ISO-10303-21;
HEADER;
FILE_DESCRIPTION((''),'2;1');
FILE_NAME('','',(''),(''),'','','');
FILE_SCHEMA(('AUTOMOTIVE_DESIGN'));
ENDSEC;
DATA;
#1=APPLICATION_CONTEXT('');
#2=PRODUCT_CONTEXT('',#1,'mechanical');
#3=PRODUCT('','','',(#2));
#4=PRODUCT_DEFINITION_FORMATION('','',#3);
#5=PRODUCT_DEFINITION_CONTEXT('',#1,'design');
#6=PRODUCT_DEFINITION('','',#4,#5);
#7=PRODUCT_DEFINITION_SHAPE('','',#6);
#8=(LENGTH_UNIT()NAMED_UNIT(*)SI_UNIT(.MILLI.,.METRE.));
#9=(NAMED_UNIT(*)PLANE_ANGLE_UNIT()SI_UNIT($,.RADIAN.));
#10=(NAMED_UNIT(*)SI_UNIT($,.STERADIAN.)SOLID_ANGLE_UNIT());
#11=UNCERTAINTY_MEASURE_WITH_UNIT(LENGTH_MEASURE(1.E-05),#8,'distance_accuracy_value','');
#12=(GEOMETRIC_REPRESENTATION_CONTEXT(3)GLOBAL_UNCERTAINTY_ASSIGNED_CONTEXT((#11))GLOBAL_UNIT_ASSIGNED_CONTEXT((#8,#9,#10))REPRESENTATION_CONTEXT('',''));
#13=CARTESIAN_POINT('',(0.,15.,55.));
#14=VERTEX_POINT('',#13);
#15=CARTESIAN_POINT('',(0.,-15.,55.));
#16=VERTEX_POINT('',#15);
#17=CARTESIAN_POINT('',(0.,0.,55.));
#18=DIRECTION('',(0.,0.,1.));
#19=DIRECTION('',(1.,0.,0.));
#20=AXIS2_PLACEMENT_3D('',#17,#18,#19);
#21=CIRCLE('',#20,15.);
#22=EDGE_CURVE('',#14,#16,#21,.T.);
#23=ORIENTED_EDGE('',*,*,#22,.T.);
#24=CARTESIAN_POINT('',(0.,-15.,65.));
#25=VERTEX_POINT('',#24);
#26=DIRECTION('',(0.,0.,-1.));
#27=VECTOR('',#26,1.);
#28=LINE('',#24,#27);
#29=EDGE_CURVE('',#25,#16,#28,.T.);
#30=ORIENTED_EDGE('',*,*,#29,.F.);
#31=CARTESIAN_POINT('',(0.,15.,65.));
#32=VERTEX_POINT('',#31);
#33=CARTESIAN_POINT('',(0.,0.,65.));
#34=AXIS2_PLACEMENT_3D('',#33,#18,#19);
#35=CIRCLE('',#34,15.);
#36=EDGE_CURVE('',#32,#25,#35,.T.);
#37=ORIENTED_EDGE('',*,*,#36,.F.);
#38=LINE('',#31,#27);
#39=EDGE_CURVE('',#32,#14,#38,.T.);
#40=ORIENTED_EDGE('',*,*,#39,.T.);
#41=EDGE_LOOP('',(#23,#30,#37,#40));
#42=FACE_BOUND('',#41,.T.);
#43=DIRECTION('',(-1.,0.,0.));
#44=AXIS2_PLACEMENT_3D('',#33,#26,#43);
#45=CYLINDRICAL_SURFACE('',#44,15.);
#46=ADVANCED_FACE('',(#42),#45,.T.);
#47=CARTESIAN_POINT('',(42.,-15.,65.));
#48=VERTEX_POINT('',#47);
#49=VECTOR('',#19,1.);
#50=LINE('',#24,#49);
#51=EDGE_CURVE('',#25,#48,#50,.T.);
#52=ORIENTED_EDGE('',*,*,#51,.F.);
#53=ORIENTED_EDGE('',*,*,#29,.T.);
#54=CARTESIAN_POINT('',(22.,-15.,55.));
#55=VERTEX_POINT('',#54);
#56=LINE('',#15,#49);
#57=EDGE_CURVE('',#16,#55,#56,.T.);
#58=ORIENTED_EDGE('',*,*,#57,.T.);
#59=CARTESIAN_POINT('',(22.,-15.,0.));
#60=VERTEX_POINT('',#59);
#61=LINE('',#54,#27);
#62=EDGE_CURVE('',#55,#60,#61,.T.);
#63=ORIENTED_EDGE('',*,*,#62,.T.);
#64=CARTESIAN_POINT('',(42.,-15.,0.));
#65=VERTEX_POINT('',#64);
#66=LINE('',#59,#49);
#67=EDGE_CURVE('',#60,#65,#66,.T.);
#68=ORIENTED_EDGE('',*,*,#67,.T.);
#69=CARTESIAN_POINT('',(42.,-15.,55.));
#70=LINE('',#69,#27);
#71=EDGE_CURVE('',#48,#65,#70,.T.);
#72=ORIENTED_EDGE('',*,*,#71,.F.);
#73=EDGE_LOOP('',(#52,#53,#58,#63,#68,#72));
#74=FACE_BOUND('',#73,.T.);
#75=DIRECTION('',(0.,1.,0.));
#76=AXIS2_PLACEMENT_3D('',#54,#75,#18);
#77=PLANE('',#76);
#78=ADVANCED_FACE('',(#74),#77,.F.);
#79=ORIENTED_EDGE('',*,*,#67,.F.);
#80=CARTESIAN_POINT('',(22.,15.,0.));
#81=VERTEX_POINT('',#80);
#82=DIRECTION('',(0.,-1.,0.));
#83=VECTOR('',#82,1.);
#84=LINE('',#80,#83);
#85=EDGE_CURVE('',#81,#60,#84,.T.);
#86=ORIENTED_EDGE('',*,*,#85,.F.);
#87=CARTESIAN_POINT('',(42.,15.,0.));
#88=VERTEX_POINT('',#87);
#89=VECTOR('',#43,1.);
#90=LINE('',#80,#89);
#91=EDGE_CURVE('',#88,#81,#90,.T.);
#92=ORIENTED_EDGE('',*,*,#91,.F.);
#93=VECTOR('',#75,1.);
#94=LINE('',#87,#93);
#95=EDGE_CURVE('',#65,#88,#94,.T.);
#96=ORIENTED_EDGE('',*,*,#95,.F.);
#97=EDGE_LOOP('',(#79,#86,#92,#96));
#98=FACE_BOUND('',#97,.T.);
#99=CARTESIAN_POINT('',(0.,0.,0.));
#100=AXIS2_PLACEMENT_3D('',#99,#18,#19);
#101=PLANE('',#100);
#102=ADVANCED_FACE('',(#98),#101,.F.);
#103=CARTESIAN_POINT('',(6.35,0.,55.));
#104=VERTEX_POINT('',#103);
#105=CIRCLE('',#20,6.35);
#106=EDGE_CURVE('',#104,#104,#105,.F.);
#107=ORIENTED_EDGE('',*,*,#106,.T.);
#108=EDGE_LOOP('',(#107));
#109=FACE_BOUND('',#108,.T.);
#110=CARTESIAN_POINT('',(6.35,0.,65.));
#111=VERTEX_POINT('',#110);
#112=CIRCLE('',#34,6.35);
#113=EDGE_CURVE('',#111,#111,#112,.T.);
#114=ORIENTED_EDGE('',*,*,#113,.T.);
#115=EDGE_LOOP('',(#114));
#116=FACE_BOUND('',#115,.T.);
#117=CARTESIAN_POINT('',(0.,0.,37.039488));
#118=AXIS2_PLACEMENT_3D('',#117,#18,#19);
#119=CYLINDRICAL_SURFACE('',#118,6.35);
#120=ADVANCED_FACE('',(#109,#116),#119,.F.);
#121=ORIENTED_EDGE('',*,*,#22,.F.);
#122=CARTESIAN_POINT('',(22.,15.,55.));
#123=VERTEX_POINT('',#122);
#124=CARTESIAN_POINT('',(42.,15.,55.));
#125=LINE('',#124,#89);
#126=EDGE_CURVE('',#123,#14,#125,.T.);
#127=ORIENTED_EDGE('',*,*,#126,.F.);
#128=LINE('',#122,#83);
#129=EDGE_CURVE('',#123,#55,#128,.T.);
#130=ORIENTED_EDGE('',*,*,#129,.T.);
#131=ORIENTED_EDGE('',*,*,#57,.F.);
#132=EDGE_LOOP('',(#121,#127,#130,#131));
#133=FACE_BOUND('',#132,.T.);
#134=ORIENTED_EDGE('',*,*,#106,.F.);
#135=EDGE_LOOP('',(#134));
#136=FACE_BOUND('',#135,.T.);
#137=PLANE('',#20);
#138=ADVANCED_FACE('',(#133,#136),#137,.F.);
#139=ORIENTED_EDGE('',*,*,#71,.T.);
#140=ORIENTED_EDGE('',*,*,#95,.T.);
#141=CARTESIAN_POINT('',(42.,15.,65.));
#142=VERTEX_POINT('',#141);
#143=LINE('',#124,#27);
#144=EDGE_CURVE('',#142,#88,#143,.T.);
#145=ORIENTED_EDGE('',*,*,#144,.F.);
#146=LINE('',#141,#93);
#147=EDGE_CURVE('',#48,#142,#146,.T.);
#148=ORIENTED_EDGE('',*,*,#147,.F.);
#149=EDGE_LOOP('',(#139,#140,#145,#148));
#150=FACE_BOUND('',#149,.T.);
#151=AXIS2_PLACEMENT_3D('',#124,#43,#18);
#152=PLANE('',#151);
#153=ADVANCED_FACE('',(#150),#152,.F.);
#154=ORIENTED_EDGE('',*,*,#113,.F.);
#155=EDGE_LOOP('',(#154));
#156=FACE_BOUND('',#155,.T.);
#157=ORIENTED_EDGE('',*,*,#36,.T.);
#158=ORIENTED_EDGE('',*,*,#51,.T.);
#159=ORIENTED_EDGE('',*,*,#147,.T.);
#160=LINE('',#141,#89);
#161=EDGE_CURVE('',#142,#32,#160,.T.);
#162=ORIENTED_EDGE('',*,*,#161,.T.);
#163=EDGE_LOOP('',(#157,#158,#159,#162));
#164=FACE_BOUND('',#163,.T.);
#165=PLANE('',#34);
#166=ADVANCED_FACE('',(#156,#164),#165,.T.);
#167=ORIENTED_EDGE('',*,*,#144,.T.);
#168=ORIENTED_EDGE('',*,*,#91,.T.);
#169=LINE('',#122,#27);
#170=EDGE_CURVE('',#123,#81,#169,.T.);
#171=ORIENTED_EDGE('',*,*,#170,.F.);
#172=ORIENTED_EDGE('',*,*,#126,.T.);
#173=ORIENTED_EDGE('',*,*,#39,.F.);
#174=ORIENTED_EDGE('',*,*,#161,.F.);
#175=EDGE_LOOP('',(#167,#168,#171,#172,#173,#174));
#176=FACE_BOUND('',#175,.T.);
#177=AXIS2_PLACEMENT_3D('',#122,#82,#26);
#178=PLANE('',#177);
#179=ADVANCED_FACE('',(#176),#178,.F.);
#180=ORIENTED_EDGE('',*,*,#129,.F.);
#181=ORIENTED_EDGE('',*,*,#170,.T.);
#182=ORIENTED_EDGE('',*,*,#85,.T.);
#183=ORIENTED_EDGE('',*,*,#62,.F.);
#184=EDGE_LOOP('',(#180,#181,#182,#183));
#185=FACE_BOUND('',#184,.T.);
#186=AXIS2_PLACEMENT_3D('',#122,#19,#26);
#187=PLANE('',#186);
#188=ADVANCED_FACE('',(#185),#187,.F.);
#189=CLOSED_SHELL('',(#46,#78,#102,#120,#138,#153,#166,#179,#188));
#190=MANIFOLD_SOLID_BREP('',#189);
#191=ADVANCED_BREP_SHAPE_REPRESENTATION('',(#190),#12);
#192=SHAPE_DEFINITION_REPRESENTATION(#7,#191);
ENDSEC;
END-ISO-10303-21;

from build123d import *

# Parameters (mm, degrees)
SKETCH1_W           = 20
SKETCH1_H           = 30
BOSS_EXTRUDE1_DEPTH = 55
BOSS_EXTRUDE2_DEPTH = 10
SKETCH3_R           = 6.35
CUT_EXTRUDE1_DEPTH  = 10


with BuildPart() as part:
    # Sketch1 → Boss-Extrude1 (new body)
    with BuildSketch(Plane.XY):
        with Locations((32, 0)):
            Rectangle(SKETCH1_W, SKETCH1_H)
    extrude(amount=BOSS_EXTRUDE1_DEPTH)

    # Sketch2 → Boss-Extrude2 (add)
    with BuildSketch(Plane.XY.offset(55)):
        with BuildLine():
            Line((42, 15), (42, -15))
            Line((42, -15), (0, -15))
            ThreePointArc((0, -15), (-15, 0), (0, 15))
            Line((0, 15), (42, 15))
        make_face()
    extrude(amount=BOSS_EXTRUDE2_DEPTH)

    # Sketch3 → Cut-Extrude1 (cut)
    with BuildSketch(Plane.XY.offset(65)):
        Circle(SKETCH3_R)
    extrude(amount=-CUT_EXTRUDE1_DEPTH, mode=Mode.SUBTRACT)


solid = part.part
